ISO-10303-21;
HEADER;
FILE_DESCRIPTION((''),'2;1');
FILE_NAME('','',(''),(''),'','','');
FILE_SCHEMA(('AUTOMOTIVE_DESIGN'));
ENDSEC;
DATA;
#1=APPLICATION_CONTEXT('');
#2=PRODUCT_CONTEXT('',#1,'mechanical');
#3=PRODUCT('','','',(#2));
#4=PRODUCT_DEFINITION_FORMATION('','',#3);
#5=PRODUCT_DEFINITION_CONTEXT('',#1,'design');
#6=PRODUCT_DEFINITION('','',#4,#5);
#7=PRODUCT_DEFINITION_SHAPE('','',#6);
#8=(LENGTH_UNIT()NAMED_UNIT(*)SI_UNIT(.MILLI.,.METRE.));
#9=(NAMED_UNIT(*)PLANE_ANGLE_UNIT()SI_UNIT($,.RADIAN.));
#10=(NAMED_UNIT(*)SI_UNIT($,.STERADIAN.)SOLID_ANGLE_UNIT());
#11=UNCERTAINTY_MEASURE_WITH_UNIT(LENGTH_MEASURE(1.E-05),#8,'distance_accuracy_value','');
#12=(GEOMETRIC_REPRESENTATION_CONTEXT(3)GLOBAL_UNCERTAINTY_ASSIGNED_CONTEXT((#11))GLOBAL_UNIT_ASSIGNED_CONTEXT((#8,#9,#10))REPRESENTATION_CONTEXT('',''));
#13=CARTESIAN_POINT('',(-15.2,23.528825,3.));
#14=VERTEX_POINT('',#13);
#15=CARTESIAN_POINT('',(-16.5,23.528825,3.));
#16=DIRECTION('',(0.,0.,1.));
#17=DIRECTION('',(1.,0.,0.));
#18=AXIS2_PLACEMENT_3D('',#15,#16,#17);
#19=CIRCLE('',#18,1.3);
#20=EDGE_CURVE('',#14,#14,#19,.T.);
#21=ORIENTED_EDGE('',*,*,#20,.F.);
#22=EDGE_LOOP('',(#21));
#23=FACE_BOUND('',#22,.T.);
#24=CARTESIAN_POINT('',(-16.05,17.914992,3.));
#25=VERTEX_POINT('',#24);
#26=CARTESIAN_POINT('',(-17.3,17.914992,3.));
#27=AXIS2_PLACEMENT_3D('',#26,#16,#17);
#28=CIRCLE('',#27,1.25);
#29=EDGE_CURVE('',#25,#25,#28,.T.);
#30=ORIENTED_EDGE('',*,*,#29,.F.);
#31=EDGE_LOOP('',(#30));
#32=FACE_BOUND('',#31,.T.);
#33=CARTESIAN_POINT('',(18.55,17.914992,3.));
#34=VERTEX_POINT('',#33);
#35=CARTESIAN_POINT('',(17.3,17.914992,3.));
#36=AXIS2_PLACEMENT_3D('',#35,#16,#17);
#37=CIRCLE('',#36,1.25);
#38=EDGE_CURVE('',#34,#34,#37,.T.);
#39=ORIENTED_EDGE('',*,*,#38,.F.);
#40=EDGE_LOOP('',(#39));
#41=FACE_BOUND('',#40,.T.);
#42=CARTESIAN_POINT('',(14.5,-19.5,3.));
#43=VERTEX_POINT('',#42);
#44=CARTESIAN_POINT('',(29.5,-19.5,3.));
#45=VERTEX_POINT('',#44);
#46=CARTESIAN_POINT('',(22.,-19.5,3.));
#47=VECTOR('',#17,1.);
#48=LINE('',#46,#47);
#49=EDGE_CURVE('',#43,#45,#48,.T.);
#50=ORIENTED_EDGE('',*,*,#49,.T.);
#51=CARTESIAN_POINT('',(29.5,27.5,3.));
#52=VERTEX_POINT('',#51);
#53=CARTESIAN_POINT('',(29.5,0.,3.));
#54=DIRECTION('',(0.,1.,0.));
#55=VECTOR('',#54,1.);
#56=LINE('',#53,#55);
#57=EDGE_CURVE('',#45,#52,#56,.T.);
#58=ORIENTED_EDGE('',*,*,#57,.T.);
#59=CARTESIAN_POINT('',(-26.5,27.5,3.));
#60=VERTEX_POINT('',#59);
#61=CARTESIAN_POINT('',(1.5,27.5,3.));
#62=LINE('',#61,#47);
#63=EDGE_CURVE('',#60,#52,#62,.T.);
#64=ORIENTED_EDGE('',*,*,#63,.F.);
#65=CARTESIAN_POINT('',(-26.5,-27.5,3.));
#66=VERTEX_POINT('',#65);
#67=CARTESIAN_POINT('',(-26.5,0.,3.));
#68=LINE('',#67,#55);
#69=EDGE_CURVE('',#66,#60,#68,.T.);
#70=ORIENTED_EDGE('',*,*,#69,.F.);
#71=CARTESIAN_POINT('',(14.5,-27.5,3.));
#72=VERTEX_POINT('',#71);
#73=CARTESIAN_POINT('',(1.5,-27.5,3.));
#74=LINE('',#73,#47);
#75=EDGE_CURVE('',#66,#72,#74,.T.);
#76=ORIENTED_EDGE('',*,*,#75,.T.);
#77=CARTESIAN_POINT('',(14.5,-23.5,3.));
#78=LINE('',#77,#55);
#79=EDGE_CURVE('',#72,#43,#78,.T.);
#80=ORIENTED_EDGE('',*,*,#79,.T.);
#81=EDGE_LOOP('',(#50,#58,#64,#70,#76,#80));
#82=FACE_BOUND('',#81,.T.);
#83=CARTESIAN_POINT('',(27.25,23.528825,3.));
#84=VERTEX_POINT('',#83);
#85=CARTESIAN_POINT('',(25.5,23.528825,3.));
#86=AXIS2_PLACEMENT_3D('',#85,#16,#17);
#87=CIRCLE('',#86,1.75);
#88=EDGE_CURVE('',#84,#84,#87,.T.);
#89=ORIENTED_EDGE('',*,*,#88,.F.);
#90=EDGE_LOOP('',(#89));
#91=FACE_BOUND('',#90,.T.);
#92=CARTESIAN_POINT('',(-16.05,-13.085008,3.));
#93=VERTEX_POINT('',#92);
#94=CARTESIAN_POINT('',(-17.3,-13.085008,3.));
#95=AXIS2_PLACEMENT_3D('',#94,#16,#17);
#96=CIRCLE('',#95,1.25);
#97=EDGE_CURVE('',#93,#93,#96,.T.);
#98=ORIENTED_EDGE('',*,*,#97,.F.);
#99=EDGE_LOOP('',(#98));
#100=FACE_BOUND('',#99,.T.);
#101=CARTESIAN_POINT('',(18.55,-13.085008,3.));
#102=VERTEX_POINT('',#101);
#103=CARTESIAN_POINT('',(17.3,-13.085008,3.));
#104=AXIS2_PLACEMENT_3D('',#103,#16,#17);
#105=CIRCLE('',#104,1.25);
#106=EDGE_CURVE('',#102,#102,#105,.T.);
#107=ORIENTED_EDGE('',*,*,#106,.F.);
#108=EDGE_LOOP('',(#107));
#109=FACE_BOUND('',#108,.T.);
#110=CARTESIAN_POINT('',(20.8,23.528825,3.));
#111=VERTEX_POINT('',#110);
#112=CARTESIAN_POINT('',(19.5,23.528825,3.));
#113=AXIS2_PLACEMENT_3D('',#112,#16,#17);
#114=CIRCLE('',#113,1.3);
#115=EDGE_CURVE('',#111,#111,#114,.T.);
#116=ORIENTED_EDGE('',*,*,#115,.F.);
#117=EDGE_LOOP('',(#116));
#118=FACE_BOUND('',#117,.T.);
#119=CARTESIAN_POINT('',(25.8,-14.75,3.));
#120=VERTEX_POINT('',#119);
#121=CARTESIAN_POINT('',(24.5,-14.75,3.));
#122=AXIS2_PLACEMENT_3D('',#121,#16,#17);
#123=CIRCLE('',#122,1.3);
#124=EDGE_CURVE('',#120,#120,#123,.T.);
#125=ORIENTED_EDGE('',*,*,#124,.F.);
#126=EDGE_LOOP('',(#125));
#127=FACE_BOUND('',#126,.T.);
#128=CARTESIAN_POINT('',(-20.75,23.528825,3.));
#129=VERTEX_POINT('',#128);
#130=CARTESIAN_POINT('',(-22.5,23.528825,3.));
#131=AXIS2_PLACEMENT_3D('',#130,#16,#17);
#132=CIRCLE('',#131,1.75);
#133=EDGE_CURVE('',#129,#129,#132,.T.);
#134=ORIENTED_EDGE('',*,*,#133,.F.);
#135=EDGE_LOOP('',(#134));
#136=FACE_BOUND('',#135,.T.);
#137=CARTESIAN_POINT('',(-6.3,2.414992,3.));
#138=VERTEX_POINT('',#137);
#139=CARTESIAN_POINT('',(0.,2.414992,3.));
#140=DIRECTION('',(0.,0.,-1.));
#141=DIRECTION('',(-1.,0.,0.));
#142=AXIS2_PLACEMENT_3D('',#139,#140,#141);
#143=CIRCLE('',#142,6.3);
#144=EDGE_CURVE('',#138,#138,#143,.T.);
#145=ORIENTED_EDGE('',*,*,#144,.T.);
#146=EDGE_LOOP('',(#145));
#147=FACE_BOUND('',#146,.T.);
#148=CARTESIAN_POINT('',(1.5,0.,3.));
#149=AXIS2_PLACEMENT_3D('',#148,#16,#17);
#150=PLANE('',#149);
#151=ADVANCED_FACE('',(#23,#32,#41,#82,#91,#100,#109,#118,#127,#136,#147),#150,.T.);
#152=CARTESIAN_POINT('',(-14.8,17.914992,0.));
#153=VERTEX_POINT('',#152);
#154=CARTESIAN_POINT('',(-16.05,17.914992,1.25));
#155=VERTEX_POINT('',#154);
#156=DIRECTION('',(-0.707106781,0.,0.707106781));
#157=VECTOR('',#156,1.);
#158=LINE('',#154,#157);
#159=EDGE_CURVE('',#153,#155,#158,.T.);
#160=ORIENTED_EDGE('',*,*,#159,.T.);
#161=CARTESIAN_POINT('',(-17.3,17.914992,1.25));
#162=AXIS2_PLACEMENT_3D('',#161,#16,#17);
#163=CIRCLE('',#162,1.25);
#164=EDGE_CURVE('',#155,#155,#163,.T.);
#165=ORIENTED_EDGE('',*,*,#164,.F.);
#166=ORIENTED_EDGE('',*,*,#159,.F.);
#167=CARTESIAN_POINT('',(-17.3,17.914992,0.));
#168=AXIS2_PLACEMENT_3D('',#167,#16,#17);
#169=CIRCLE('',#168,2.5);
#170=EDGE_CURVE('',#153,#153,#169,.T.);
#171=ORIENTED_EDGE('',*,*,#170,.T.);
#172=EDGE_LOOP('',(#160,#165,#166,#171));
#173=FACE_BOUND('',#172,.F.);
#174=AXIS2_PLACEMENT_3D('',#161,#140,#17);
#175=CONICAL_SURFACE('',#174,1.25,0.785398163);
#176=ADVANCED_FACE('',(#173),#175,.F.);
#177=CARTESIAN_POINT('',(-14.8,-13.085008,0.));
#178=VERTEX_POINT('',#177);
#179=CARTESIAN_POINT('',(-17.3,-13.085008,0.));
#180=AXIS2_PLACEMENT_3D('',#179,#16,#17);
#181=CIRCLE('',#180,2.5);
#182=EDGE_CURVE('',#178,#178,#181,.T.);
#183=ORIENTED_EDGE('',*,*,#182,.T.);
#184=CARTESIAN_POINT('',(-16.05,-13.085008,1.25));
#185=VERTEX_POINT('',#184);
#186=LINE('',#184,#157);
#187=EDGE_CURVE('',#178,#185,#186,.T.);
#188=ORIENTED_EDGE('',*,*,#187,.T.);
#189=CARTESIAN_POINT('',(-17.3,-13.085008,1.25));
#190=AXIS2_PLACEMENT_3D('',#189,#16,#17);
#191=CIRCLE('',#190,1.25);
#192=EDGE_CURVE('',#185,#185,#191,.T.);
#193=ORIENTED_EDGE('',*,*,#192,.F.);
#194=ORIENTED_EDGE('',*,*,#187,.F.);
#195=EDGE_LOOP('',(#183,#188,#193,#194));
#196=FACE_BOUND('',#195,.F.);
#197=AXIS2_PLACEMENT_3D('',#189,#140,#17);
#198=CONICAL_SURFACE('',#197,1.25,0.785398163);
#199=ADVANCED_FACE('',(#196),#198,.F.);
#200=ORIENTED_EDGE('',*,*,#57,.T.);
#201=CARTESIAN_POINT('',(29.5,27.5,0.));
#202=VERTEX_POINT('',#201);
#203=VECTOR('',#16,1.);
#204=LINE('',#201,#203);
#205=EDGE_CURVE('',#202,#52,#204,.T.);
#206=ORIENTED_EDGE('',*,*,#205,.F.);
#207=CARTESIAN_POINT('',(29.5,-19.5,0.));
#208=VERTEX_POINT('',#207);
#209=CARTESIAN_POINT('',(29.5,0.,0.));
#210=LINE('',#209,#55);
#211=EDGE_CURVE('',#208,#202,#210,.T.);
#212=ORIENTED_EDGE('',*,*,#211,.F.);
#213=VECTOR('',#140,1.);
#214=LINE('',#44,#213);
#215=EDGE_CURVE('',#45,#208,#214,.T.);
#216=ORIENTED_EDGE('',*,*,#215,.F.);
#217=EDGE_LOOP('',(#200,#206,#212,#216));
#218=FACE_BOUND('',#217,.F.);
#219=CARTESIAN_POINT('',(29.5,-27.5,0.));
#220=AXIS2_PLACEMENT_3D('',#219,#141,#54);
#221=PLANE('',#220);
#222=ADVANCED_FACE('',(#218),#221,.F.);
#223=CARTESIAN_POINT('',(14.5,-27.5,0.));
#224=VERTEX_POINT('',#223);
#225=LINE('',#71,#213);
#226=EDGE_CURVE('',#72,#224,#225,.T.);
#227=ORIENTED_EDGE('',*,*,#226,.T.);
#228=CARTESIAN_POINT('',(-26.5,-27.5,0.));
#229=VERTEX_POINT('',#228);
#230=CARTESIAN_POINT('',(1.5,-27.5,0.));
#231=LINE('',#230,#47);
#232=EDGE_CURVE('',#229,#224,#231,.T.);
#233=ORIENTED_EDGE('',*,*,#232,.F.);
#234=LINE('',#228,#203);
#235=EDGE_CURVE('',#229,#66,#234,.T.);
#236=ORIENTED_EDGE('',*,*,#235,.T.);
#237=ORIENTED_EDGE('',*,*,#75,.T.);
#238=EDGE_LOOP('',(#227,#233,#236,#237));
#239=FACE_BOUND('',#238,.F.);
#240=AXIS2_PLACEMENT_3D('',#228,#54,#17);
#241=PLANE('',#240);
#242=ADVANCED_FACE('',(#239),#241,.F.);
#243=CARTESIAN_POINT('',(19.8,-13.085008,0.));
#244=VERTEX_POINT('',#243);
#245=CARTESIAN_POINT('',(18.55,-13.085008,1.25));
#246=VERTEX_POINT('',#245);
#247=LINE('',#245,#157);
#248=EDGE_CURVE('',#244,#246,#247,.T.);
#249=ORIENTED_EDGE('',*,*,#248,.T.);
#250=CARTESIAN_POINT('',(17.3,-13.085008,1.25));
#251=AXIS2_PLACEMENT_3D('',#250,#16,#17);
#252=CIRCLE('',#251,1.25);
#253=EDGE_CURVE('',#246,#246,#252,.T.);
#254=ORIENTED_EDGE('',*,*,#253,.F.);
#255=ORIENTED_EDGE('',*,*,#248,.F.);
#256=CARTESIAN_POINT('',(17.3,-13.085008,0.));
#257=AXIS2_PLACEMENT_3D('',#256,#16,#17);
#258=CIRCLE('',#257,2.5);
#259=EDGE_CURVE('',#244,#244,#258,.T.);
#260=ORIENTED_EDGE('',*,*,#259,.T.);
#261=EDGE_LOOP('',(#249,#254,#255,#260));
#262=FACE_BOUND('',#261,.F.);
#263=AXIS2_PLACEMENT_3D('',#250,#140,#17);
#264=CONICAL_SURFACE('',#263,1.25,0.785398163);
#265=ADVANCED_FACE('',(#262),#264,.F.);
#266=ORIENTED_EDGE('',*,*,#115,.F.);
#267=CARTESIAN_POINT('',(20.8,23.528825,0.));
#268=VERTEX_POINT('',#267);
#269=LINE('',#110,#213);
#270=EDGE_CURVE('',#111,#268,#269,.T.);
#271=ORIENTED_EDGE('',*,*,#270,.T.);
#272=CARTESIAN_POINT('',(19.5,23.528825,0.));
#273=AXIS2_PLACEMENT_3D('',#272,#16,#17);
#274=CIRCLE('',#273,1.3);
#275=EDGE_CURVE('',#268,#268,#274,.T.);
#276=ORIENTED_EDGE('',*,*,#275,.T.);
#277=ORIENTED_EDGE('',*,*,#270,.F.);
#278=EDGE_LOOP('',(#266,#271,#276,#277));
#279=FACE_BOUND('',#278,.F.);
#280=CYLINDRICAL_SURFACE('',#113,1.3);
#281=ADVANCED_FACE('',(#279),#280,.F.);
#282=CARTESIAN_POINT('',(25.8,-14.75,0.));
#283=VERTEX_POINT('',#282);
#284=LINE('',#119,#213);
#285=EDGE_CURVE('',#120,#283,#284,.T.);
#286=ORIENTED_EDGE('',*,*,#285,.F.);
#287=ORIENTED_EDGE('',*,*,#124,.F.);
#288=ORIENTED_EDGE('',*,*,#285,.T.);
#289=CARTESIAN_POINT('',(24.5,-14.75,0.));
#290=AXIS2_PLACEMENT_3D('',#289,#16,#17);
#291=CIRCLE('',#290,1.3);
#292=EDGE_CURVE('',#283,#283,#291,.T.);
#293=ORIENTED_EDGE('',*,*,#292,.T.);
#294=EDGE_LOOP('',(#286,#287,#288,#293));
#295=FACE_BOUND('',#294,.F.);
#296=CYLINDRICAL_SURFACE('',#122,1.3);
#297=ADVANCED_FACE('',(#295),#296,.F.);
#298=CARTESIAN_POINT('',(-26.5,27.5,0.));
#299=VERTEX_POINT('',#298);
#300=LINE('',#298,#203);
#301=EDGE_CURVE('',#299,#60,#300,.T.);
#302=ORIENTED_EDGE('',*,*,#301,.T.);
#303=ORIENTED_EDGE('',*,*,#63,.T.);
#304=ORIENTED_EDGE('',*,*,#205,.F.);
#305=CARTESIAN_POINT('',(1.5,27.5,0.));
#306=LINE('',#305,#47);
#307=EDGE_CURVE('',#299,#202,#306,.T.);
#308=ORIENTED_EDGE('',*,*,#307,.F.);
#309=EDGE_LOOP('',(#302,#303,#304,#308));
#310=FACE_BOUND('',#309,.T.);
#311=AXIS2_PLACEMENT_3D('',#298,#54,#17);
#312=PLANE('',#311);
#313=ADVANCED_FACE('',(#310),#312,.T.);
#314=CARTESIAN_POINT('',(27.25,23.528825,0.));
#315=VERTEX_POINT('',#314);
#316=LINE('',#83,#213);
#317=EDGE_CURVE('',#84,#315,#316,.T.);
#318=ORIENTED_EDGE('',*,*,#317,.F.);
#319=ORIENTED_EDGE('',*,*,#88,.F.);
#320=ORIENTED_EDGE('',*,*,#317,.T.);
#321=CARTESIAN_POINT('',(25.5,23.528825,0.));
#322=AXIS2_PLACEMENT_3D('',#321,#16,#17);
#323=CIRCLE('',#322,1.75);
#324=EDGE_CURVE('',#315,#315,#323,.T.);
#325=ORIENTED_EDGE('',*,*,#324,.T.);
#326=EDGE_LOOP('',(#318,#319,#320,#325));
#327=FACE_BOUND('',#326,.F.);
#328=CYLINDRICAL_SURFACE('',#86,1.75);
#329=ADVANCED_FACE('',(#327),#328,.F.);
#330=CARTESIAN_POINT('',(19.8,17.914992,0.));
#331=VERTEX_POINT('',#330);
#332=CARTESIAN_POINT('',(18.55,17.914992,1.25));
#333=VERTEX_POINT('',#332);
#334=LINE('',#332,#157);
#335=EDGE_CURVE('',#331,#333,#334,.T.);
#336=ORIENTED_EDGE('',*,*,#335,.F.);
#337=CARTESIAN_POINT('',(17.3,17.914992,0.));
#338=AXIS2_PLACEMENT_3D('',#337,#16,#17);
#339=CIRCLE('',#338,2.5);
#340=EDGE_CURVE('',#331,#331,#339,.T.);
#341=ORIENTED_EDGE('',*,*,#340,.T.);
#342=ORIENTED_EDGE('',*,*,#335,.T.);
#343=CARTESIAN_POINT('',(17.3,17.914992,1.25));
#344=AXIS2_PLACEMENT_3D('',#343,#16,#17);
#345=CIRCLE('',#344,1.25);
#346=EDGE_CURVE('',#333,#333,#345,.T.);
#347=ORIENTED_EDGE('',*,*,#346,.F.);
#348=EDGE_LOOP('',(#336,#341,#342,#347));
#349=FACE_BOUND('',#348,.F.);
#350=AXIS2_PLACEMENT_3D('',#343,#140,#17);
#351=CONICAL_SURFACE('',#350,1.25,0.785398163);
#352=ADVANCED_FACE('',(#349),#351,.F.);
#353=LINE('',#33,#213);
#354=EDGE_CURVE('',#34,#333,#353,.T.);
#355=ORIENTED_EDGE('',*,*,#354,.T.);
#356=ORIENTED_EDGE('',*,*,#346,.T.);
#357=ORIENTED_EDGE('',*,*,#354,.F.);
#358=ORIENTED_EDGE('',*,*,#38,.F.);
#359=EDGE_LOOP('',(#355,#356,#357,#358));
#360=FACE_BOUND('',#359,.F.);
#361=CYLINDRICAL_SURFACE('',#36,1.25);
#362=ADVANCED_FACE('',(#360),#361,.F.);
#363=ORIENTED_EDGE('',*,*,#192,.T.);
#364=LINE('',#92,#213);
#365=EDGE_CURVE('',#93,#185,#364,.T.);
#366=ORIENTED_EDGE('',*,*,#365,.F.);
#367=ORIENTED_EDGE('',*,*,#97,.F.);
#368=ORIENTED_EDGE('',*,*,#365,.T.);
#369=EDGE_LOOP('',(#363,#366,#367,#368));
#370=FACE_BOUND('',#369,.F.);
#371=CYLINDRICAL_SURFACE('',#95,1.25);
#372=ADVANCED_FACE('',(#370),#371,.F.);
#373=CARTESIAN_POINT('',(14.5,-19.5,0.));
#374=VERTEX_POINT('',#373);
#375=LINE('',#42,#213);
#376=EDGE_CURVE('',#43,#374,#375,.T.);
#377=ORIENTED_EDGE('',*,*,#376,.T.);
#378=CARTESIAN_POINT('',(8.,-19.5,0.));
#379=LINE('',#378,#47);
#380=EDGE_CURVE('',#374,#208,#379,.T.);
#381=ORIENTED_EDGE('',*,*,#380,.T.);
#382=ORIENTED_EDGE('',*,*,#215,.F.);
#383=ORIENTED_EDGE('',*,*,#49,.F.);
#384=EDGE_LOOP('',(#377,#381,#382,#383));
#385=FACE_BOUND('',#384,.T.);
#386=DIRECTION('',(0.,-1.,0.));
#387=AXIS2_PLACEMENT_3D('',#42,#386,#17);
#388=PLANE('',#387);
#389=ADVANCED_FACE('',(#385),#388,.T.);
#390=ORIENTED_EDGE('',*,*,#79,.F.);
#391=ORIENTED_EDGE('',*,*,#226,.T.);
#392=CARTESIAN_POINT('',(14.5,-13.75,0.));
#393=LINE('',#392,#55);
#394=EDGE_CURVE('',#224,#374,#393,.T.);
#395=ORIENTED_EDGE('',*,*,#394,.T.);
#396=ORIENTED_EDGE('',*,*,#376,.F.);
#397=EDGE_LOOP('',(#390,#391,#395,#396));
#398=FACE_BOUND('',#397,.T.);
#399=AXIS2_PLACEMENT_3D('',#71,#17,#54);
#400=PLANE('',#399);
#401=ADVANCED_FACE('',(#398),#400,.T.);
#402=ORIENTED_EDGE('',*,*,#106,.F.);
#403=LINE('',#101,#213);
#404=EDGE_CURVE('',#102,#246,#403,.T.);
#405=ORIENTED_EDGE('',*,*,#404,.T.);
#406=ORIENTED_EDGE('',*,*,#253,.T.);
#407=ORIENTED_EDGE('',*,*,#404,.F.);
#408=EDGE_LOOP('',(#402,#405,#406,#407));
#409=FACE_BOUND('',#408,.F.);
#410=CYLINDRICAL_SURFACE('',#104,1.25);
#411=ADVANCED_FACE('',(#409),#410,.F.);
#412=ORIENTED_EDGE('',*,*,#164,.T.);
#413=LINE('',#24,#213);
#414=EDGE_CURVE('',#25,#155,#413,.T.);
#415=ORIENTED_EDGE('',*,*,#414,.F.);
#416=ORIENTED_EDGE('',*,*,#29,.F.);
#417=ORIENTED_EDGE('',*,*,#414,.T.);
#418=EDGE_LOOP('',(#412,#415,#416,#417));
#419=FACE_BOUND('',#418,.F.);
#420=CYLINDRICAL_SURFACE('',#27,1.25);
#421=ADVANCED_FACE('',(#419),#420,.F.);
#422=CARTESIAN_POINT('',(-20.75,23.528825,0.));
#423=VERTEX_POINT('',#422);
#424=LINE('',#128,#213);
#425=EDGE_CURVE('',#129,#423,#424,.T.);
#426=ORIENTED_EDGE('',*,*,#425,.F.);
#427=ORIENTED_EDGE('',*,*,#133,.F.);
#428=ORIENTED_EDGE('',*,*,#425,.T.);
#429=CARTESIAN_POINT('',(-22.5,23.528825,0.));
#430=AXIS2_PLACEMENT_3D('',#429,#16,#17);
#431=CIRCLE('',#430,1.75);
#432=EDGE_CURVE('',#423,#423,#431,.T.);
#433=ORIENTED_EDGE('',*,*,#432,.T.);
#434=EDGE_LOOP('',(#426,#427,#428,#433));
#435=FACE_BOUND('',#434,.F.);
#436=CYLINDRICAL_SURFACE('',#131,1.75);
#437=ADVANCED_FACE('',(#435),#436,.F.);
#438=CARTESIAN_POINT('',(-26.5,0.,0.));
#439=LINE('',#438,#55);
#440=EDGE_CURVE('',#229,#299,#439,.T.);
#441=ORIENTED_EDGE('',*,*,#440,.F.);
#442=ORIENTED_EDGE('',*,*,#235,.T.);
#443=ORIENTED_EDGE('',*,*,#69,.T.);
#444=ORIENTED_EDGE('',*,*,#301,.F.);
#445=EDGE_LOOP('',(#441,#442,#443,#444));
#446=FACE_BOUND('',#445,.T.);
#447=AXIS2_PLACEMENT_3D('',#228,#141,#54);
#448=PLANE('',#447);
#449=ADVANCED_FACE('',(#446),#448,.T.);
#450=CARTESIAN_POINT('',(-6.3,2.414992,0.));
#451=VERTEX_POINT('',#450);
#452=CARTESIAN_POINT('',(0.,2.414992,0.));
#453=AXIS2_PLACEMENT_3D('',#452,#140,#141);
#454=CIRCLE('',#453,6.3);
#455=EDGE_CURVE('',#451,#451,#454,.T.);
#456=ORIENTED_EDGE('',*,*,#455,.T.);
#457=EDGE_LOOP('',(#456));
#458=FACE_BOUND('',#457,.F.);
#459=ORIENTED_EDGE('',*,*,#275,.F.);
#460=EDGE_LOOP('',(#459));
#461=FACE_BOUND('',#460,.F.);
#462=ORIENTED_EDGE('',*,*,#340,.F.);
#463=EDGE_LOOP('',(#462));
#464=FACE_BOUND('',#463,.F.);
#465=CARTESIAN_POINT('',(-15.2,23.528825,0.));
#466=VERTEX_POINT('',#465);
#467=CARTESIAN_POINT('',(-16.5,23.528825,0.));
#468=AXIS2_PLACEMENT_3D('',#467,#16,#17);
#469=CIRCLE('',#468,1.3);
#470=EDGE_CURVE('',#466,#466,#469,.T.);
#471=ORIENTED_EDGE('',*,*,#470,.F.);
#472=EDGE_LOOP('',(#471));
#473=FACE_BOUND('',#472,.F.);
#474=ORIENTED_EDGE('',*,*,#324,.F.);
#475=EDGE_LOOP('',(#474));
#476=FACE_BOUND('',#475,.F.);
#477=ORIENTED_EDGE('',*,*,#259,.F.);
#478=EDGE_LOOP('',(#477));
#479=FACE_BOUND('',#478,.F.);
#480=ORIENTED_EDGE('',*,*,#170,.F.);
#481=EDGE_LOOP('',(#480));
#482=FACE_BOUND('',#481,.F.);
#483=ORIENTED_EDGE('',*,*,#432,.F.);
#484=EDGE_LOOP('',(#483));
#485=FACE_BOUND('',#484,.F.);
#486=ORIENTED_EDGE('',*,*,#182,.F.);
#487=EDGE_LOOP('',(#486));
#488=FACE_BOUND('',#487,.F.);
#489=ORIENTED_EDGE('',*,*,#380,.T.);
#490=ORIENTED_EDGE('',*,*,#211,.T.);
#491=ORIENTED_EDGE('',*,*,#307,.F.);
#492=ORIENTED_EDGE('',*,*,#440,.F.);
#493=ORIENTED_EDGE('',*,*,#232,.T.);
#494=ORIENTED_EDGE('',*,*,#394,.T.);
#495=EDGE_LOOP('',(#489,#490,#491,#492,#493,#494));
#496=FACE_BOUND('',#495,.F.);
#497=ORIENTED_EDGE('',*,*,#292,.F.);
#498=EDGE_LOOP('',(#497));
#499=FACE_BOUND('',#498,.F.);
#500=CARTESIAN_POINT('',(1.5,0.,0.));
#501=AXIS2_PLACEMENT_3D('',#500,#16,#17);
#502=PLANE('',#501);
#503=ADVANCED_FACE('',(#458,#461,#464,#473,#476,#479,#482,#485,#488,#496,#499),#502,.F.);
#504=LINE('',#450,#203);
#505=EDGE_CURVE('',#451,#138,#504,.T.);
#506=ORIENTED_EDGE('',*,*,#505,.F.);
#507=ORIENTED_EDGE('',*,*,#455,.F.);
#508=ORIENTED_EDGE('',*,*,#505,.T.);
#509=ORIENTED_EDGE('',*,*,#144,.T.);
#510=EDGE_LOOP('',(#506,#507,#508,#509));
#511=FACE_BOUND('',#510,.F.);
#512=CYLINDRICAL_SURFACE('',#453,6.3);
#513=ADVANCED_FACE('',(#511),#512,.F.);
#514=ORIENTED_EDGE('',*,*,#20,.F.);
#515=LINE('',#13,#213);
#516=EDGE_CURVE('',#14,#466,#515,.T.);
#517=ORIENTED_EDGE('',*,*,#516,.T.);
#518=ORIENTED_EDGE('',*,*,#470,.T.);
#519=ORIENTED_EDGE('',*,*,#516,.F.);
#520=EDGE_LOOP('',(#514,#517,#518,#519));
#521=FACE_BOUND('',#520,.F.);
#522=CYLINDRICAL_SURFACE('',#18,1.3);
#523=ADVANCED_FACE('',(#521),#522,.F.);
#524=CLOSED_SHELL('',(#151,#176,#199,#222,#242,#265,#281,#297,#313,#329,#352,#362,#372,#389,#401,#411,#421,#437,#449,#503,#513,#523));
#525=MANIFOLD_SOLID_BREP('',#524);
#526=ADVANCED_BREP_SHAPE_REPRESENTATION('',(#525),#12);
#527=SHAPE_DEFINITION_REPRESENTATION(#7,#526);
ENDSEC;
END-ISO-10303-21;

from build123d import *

# Parameters (mm, degrees)
CROQUIS1_W              = 56
CROQUIS1_H              = 55
SALIENTE_EXTRUIR1_DEPTH = 3
CROQUIS2_R              = 1.3
CROQUIS2_W              = 15
CROQUIS2_H              = 8
CROQUIS2_R_2            = 1.75
CORTAR_EXTRUIR1_DEPTH   = 4
CORTAR_EXTRUIR2_REACH   = 42.441
CROQUIS3_R              = 6.3
CROQUIS4_R              = 1.25
CORTAR_EXTRUIR3_DEPTH   = 10
CHAFL_N2_SIZE           = 1.25


with BuildPart() as part:
    # Croquis1 → Saliente-Extruir1 (new body)
    with BuildSketch(Plane.XY):
        with Locations((1.5, 0)):
            Rectangle(CROQUIS1_W, CROQUIS1_H)
    extrude(amount=SALIENTE_EXTRUIR1_DEPTH)

    # Croquis2 → Cortar-Extruir1 (cut)
    with BuildSketch(Plane.XY.offset(3)):
        with Locations((24.5, -14.75)):
            Circle(CROQUIS2_R)
        with Locations((22, -23.5)):
            Rectangle(CROQUIS2_W, CROQUIS2_H)
        with Locations((25.5, 23.528824725)):
            Circle(CROQUIS2_R_2)
        with Locations((19.5, 23.528824725)):
            Circle(CROQUIS2_R)
        with Locations((-22.5, 23.528824725)):
            Circle(CROQUIS2_R_2)
        with Locations((-16.5, 23.528824725)):
            Circle(CROQUIS2_R)
    extrude(amount=-CORTAR_EXTRUIR1_DEPTH, mode=Mode.SUBTRACT)

    # Croquis3 → Cortar-Extruir2 (cut, up to next)
    with BuildSketch(Plane(origin=(0, 0, 0), x_dir=(-1, 0, 0), z_dir=(0, 0, -1)), mode=Mode.PRIVATE) as cortar_extruir2_sk1:
        with Locations((0, 2.414991539)):
            Circle(CROQUIS3_R)
    cortar_extruir2_tool1 = extrude(cortar_extruir2_sk1.sketch, amount=-CORTAR_EXTRUIR2_REACH, mode=Mode.PRIVATE) & part.part
    add(cortar_extruir2_tool1.solids().sort_by_distance((0, 2.414992, 0))[0], mode=Mode.SUBTRACT)

    # Croquis4 → Cortar-Extruir3 (cut)
    with BuildSketch(Plane.XY.offset(3)):
        with Locations((-17.3, 17.914991539)):
            Circle(CROQUIS4_R)
        with Locations((17.3, 17.914991539)):
            Circle(CROQUIS4_R)
        with Locations((-17.3, -13.085008461)):
            Circle(CROQUIS4_R)
        with Locations((17.3, -13.085008461)):
            Circle(CROQUIS4_R)
    extrude(amount=-CORTAR_EXTRUIR3_DEPTH, mode=Mode.SUBTRACT)

    # Chaflán2
    chafl_n2_edges = [part.edges().sort_by_distance(p)[0] for p in [
        (16.05, 17.914991539, 0),
        (-18.55, -13.085008461, 0),
        (16.05, -13.085008461, 0),
        (-18.55, 17.914991539, 0),
    ]]
    chamfer(chafl_n2_edges, length=CHAFL_N2_SIZE)


solid = part.part
